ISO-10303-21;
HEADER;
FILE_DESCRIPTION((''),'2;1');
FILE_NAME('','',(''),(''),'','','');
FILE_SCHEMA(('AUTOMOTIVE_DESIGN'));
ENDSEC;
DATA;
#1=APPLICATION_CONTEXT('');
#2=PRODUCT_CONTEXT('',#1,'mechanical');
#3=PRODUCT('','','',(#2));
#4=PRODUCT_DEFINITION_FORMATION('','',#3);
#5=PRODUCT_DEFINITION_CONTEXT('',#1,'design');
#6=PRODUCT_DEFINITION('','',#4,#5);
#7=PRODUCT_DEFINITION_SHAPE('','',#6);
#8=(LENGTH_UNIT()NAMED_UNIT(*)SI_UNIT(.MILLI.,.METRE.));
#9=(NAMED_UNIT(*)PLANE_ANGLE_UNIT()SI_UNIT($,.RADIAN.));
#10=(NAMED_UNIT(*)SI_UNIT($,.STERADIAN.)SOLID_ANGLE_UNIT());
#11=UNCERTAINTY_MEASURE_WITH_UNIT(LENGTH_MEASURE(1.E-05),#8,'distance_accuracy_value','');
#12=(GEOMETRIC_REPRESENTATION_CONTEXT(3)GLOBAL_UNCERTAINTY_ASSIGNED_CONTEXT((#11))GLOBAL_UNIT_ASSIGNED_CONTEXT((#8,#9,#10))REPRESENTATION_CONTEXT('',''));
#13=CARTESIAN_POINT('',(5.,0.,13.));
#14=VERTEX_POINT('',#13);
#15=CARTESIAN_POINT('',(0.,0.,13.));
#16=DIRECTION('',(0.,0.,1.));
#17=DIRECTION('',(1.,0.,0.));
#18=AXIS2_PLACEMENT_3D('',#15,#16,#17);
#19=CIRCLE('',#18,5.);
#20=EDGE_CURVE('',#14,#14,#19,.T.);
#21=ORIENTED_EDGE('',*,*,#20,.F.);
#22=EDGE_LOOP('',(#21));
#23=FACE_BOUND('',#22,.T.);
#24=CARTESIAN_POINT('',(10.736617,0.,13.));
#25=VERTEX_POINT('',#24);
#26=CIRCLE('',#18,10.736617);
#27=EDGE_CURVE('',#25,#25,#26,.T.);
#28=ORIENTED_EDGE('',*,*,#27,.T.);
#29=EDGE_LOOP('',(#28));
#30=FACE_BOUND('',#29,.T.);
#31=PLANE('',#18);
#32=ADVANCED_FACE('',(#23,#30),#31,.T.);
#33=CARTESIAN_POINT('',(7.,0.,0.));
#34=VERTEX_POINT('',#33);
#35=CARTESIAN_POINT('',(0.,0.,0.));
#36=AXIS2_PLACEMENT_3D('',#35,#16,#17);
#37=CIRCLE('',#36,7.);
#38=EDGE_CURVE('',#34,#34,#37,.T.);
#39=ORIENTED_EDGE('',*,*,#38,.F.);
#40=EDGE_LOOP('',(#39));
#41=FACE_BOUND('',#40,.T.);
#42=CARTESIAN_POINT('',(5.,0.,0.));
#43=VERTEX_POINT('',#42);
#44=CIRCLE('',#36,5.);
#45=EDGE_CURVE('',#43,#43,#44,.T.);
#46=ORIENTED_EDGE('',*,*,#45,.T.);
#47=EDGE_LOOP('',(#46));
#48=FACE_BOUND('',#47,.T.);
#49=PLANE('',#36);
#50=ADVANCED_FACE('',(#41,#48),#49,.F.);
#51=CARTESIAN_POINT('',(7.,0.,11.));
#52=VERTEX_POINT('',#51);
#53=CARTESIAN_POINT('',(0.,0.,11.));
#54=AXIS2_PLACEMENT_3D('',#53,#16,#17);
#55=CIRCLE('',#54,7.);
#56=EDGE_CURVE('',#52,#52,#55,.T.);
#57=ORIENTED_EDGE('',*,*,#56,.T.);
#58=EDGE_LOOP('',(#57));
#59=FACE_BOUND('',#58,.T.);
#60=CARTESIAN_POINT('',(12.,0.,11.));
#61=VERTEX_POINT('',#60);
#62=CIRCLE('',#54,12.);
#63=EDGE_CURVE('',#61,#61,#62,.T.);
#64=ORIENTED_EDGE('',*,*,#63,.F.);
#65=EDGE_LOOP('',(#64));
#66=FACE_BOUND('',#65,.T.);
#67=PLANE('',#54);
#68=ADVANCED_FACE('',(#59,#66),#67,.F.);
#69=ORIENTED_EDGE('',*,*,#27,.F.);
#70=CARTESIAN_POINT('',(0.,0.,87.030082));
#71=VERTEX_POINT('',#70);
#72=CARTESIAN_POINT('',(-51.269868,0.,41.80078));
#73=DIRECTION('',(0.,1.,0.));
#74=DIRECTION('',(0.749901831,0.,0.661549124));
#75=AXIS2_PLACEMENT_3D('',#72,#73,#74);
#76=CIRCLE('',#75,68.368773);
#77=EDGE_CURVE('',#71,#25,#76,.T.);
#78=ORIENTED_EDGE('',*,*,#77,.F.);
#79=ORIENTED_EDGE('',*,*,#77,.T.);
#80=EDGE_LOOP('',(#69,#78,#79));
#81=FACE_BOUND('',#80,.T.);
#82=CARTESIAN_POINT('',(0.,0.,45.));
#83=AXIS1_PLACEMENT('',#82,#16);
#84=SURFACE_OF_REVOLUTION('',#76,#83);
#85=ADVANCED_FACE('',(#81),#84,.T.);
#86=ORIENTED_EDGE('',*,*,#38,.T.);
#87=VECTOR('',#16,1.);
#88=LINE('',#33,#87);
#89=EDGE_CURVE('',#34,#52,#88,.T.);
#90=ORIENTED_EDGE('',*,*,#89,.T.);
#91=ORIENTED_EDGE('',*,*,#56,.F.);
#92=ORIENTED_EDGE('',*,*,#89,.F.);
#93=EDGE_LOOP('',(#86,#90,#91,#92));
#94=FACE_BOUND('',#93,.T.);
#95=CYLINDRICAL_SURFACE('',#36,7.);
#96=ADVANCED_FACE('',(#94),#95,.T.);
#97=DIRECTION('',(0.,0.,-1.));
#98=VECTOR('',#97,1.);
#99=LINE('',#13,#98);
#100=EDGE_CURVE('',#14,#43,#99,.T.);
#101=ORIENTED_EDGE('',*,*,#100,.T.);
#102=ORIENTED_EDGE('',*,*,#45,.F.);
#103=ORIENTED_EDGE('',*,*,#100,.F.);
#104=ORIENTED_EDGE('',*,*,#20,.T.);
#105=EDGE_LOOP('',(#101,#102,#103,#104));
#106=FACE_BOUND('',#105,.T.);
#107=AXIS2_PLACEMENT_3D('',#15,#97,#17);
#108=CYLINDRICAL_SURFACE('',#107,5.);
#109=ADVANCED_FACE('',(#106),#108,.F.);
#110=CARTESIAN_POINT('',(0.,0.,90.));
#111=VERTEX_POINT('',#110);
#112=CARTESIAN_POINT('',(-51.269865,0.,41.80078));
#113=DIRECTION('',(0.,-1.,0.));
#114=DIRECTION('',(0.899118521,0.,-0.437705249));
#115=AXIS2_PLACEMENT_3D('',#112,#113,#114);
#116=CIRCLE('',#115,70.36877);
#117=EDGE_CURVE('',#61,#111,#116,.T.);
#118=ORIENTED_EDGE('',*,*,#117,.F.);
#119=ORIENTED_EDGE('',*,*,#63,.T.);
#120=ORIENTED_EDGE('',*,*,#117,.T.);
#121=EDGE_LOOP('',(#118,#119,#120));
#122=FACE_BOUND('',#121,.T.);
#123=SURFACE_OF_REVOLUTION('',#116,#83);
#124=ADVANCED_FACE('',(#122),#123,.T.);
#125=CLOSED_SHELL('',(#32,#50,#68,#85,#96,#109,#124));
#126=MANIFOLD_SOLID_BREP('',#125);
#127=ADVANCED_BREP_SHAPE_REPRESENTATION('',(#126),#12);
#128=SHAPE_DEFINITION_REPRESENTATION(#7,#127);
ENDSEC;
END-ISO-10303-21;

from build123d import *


with BuildPart() as f1:
    # F0 (on Front) → F1 (revolve)
    with BuildSketch(Plane.XZ):
        with BuildLine():
            Line((0, 90), (0, 87.030082))
            ThreePointArc((0, 87.030082), (16.391024, 51.61367), (10.736617, 13))
            Line((10.736617, 13), (5, 13))
            Line((5, 13), (5, 0))
            Line((5, 0), (7, 0))
            Line((7, 0), (7, 11))
            Line((7, 11), (12, 11))
            ThreePointArc((12, 11), (18.300872, 52.368487), (0, 90))
        make_face()
    revolve(axis=Axis((0, 0, 45), (0, 0, 1)))


solid = f1.part
